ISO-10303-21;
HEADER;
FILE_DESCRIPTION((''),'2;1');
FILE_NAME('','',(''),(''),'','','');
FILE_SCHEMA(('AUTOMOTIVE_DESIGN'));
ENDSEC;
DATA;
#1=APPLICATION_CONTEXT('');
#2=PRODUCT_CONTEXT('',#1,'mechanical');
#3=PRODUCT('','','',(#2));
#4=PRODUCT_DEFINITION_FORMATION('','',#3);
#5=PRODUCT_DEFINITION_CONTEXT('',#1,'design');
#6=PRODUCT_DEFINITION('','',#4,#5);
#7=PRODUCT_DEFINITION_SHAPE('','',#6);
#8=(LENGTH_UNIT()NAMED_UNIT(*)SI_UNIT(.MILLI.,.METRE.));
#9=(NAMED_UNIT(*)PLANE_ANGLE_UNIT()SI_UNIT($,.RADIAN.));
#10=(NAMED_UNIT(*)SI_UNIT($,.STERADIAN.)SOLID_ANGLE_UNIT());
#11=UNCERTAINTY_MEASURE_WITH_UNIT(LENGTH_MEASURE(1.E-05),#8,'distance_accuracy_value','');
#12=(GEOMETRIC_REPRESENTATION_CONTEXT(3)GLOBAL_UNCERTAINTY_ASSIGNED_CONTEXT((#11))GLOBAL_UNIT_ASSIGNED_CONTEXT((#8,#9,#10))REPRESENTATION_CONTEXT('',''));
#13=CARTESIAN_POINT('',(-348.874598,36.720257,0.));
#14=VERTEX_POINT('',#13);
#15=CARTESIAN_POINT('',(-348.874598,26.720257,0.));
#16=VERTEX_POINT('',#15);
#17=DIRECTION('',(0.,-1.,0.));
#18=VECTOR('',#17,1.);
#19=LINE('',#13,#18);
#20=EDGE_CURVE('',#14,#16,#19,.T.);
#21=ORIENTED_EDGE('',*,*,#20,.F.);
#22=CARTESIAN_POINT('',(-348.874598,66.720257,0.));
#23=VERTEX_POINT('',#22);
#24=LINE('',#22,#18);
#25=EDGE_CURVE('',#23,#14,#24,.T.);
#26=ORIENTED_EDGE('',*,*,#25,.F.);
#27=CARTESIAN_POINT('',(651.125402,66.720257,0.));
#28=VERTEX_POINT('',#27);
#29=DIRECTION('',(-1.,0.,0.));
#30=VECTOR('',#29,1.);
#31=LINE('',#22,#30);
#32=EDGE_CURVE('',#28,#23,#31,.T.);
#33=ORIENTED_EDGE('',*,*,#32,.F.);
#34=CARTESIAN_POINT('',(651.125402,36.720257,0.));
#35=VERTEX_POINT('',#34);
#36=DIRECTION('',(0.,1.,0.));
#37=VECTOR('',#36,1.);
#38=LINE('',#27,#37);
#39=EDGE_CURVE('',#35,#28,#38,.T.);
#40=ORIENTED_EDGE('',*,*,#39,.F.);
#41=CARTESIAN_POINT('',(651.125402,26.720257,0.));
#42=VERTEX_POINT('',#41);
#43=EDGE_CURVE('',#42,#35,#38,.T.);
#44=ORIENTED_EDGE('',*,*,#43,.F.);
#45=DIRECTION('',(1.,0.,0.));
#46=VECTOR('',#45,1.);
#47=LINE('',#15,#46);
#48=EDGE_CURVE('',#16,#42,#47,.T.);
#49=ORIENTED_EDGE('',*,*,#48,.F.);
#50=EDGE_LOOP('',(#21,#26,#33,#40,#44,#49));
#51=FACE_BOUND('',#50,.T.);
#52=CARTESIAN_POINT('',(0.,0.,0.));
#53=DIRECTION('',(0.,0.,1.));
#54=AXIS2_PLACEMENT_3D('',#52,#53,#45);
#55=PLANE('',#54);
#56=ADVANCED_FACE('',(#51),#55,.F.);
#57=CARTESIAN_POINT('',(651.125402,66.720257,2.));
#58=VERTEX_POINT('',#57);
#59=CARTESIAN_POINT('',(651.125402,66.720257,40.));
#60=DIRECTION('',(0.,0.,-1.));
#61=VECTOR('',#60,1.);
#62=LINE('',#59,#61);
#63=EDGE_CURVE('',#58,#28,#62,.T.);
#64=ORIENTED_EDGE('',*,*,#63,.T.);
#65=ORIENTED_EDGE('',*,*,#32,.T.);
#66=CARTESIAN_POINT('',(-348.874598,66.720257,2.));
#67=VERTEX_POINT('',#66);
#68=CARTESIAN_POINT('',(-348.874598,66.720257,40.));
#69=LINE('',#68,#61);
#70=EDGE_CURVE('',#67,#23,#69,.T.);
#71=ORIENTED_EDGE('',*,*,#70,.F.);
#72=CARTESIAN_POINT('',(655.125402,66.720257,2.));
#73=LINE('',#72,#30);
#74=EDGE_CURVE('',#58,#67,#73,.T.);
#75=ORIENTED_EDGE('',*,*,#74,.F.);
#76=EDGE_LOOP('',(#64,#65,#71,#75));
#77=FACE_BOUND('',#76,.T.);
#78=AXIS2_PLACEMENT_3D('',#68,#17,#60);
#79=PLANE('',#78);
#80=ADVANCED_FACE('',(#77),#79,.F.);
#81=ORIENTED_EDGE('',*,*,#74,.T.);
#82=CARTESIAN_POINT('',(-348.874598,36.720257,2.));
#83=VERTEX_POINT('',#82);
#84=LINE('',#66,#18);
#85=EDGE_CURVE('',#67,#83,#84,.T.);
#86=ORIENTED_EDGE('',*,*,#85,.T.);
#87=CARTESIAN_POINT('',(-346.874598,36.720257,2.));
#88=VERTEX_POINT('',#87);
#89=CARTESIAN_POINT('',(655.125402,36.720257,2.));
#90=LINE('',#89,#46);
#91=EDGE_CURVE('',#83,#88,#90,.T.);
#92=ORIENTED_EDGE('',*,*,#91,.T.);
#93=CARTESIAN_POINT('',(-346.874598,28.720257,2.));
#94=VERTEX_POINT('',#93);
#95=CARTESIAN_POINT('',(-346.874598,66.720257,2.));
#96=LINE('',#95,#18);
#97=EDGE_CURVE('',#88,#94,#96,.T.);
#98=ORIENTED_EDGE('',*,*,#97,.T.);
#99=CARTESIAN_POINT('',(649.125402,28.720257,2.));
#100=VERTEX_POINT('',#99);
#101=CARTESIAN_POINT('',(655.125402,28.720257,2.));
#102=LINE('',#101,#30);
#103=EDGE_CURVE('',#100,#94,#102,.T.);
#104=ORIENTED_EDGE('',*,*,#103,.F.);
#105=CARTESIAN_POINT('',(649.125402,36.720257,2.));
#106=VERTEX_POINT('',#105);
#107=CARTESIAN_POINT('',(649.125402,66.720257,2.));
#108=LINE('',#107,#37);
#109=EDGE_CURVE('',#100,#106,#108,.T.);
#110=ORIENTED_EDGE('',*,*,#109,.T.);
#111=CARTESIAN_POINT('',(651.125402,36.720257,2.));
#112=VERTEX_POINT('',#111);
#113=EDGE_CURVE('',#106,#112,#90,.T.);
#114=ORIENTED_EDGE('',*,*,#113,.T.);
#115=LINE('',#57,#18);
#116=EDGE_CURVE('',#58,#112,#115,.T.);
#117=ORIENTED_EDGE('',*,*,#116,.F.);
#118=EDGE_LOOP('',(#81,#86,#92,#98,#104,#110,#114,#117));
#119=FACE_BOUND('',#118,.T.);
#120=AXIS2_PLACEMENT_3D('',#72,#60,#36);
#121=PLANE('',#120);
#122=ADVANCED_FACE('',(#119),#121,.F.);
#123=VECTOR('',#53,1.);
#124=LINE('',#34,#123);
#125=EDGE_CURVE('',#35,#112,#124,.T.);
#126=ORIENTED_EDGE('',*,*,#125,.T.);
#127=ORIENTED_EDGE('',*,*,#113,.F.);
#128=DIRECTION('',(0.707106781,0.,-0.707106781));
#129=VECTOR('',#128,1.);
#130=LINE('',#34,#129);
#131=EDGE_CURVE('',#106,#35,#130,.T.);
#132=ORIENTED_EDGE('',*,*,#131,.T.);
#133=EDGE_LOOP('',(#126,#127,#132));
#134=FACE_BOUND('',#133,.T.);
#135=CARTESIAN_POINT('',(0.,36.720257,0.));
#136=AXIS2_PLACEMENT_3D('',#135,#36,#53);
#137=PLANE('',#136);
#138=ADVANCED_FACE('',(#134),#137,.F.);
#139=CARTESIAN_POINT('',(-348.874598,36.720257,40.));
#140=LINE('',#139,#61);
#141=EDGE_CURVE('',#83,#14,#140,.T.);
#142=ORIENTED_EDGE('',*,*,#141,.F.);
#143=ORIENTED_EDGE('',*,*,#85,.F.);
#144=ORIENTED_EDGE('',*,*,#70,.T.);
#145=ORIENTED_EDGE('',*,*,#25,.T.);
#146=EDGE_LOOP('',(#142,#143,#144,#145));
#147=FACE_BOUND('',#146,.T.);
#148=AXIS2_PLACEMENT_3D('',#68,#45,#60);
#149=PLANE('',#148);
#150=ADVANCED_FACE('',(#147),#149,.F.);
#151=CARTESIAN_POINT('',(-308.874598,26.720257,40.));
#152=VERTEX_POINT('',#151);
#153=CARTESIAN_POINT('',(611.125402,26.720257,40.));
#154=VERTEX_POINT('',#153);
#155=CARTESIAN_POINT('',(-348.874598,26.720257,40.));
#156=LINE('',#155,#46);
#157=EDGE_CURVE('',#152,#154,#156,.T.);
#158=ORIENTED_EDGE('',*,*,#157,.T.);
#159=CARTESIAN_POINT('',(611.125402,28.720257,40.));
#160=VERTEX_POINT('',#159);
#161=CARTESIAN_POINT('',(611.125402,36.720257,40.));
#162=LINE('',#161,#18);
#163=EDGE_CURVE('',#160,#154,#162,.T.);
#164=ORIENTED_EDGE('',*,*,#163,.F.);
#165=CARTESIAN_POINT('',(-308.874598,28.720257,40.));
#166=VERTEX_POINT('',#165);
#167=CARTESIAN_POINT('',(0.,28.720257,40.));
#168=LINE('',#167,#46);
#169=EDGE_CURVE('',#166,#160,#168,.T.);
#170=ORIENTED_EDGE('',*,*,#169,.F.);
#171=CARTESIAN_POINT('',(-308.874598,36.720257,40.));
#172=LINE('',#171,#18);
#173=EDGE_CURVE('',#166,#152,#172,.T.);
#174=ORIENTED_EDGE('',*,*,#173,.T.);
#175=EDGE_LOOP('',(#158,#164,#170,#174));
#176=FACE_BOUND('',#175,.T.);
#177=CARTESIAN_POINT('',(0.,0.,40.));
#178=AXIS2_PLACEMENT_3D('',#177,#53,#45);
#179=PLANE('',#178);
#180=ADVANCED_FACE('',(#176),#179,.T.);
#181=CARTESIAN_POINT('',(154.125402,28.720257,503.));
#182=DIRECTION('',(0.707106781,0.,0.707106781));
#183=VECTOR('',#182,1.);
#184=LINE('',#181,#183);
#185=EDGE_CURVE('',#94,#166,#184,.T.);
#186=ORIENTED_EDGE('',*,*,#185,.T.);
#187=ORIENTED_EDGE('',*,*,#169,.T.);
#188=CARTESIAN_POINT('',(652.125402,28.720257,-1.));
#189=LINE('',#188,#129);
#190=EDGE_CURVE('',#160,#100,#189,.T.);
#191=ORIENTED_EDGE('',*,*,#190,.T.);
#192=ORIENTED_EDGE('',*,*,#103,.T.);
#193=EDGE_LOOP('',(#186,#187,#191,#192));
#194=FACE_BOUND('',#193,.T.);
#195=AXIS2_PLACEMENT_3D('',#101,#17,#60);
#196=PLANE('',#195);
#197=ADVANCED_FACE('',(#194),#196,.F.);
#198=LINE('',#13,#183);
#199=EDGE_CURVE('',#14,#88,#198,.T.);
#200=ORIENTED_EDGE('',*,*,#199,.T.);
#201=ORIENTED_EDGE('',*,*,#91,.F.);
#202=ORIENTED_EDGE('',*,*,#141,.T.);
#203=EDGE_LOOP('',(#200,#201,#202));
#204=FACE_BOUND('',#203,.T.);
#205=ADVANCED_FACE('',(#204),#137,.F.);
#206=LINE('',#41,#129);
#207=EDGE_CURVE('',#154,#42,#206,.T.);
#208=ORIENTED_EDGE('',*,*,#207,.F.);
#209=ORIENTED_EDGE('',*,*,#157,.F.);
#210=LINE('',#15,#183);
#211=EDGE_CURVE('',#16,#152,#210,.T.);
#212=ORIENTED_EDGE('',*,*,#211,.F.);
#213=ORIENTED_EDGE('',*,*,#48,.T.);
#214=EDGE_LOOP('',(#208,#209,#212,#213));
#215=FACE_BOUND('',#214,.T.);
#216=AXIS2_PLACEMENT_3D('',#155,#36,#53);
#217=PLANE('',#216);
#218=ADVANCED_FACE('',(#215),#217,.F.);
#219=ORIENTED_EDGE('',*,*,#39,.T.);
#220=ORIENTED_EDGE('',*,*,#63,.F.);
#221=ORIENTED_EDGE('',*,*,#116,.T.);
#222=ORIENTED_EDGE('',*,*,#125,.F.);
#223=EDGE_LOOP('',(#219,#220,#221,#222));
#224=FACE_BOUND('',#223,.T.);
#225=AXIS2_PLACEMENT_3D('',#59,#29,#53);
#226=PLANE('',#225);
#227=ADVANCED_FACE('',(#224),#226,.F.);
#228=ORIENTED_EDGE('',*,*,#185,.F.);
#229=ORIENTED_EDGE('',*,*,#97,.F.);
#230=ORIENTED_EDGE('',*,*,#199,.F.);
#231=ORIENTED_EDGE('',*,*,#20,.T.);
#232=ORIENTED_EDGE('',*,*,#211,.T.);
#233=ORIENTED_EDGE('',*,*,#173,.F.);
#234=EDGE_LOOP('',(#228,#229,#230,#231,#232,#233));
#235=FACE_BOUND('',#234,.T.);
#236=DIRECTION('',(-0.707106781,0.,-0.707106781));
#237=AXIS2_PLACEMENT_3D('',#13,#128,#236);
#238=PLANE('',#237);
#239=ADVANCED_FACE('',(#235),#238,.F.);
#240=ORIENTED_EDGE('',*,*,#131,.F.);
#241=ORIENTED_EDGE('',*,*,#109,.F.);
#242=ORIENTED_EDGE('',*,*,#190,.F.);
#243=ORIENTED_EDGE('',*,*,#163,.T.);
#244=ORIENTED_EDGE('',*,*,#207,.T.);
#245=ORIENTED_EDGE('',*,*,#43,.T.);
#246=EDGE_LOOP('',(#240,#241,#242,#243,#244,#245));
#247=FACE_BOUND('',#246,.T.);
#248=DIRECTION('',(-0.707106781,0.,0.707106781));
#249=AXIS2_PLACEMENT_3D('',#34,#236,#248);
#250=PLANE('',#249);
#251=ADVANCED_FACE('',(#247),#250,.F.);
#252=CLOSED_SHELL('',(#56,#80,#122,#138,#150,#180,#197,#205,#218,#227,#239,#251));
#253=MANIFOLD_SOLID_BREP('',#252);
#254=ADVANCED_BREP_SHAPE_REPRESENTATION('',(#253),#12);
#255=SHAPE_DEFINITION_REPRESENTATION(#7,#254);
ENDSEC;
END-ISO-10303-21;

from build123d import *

# Parameters (mm, degrees)
SKETCH2_W           = 1000
SKETCH2_H           = 40
BOSS_EXTRUDE1_DEPTH = 40
SKETCH3_W           = 38
SKETCH3_H           = 38
CUT_EXTRUDE1_DEPTH  = 1004
CUT_EXTRUDE2_DEPTH  = 10


with BuildPart() as part:
    # Sketch2 → Boss-Extrude1 (new body)
    with BuildSketch(Plane.XY):
        with Locations((151.125401929, 46.720257235)):
            Rectangle(SKETCH2_W, SKETCH2_H)
    extrude(amount=BOSS_EXTRUDE1_DEPTH)

    # Sketch3 → Cut-Extrude1 (cut)
    with BuildSketch(Plane.ZY.offset(348.874598071)):
        with Locations((21, 47.720257235)):
            Rectangle(SKETCH3_W, SKETCH3_H)
    extrude(amount=-CUT_EXTRUDE1_DEPTH, mode=Mode.SUBTRACT)

    # Sketch4 → Cut-Extrude2 (cut)
    with BuildSketch(Plane(origin=(0, 26.720257235, 0), x_dir=(-1, 0, 0), z_dir=(0, -1, 0))):
        Polygon((-651.125401929, 0), (-651.125401929, -40), (-611.125401929, -40), align=None)
        Polygon((348.874598071, 0), (308.874598071, -40), (348.874598071, -40), align=None)
    extrude(amount=-CUT_EXTRUDE2_DEPTH, mode=Mode.SUBTRACT)


solid = part.part
